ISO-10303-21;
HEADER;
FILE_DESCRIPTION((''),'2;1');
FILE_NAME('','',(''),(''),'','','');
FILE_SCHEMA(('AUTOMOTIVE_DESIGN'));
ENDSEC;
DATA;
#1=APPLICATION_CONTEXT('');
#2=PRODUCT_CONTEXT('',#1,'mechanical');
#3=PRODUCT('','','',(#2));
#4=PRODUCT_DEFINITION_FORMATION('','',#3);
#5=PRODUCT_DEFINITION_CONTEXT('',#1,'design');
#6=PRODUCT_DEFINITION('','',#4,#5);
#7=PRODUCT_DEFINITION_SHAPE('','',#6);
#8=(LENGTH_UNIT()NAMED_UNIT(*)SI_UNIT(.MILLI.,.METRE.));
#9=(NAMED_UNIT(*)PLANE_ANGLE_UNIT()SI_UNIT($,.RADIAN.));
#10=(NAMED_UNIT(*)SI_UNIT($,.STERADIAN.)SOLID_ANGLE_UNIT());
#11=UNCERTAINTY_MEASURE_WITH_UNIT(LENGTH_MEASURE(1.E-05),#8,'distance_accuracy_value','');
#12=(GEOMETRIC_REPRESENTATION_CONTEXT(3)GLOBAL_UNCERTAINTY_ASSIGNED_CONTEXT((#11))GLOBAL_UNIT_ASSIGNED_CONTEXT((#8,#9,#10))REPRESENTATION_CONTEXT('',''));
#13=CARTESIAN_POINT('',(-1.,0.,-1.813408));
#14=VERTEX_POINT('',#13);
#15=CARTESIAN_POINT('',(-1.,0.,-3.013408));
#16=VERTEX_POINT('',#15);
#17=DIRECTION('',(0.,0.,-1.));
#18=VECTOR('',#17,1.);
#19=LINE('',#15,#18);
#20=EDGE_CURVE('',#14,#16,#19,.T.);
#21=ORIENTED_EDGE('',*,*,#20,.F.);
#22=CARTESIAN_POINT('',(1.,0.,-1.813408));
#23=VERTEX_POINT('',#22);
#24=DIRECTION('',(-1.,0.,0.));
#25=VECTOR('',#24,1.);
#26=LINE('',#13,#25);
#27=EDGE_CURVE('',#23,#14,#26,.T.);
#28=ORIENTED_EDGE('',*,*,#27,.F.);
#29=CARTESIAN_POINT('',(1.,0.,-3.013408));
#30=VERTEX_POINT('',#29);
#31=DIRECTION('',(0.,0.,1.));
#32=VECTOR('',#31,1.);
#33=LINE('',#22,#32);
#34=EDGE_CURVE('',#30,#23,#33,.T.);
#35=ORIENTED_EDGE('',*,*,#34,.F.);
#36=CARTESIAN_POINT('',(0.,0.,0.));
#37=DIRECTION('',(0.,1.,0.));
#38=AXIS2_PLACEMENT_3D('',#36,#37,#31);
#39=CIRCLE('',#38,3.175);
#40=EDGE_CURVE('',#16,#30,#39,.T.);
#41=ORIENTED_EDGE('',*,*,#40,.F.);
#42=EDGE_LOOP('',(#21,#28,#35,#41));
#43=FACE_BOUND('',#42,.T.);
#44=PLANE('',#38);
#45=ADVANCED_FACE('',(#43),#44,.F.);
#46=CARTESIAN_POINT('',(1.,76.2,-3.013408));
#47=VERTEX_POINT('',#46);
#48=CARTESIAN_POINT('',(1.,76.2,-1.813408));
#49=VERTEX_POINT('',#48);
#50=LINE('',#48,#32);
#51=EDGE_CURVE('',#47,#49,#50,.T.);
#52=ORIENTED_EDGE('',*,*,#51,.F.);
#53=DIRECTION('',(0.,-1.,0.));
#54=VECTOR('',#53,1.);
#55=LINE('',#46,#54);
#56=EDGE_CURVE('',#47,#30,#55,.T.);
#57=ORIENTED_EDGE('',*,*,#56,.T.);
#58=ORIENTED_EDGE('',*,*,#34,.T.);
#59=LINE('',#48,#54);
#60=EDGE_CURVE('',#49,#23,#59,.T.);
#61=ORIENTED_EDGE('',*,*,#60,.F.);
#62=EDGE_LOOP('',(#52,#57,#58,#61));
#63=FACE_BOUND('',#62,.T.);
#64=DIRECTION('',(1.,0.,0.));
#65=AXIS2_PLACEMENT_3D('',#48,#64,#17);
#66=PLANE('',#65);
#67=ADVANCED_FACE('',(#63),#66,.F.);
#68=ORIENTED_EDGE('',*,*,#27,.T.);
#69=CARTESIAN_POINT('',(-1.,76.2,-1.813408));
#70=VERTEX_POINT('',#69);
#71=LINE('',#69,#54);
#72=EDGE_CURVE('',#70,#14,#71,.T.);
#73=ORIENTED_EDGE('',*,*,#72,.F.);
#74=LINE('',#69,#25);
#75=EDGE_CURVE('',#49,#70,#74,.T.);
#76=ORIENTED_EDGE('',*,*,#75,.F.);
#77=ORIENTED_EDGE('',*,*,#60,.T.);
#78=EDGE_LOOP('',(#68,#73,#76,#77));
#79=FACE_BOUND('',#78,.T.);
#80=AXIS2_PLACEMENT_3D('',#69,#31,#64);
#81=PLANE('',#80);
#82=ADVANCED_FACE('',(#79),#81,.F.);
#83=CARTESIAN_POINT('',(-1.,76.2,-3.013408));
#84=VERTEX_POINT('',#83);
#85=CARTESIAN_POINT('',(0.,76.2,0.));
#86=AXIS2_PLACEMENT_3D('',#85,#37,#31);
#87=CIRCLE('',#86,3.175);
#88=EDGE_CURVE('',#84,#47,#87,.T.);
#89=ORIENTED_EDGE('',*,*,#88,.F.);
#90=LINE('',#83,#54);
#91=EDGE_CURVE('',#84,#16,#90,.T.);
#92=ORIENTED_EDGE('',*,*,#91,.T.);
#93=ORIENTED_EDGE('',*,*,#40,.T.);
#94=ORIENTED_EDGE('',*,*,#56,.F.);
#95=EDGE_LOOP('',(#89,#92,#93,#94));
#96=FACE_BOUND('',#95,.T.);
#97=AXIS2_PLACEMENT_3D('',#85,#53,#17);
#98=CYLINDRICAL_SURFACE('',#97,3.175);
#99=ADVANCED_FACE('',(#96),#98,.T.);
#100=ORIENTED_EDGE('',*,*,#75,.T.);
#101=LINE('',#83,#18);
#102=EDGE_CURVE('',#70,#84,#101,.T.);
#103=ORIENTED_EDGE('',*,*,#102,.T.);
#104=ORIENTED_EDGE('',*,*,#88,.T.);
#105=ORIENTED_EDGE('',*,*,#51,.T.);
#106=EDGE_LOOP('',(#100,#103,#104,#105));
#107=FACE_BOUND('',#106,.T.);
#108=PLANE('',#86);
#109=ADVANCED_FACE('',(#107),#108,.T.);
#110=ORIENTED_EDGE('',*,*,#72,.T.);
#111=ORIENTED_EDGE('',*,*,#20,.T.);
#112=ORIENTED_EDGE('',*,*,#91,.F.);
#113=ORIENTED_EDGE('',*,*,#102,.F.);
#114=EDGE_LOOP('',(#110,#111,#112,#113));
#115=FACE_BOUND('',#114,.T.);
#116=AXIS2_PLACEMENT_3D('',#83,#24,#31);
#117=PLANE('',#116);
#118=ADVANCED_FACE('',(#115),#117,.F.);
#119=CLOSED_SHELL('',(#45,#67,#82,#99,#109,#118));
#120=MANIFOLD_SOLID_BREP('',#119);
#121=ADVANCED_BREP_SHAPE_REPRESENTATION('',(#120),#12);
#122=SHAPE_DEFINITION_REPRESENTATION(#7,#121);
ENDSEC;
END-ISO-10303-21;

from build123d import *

# Parameters (mm, degrees)
BOSS_EXTRUDE1_DEPTH = 76.2


with BuildPart() as part:
    # Sketch1 → Boss-Extrude1 (new body)
    with BuildSketch(Plane(origin=(0, 0, 0), x_dir=(1, 0, 0), z_dir=(0, 1, 0))):
        with BuildLine():
            Line((-1, 3.01340754), (-1, 1.81340754))
            Line((-1, 1.81340754), (1, 1.81340754))
            Line((1, 1.81340754), (1, 3.01340754))
            ThreePointArc((1, 3.01340754), (0, -3.175), (-1, 3.01340754))
        make_face()
    extrude(amount=BOSS_EXTRUDE1_DEPTH)


solid = part.part
